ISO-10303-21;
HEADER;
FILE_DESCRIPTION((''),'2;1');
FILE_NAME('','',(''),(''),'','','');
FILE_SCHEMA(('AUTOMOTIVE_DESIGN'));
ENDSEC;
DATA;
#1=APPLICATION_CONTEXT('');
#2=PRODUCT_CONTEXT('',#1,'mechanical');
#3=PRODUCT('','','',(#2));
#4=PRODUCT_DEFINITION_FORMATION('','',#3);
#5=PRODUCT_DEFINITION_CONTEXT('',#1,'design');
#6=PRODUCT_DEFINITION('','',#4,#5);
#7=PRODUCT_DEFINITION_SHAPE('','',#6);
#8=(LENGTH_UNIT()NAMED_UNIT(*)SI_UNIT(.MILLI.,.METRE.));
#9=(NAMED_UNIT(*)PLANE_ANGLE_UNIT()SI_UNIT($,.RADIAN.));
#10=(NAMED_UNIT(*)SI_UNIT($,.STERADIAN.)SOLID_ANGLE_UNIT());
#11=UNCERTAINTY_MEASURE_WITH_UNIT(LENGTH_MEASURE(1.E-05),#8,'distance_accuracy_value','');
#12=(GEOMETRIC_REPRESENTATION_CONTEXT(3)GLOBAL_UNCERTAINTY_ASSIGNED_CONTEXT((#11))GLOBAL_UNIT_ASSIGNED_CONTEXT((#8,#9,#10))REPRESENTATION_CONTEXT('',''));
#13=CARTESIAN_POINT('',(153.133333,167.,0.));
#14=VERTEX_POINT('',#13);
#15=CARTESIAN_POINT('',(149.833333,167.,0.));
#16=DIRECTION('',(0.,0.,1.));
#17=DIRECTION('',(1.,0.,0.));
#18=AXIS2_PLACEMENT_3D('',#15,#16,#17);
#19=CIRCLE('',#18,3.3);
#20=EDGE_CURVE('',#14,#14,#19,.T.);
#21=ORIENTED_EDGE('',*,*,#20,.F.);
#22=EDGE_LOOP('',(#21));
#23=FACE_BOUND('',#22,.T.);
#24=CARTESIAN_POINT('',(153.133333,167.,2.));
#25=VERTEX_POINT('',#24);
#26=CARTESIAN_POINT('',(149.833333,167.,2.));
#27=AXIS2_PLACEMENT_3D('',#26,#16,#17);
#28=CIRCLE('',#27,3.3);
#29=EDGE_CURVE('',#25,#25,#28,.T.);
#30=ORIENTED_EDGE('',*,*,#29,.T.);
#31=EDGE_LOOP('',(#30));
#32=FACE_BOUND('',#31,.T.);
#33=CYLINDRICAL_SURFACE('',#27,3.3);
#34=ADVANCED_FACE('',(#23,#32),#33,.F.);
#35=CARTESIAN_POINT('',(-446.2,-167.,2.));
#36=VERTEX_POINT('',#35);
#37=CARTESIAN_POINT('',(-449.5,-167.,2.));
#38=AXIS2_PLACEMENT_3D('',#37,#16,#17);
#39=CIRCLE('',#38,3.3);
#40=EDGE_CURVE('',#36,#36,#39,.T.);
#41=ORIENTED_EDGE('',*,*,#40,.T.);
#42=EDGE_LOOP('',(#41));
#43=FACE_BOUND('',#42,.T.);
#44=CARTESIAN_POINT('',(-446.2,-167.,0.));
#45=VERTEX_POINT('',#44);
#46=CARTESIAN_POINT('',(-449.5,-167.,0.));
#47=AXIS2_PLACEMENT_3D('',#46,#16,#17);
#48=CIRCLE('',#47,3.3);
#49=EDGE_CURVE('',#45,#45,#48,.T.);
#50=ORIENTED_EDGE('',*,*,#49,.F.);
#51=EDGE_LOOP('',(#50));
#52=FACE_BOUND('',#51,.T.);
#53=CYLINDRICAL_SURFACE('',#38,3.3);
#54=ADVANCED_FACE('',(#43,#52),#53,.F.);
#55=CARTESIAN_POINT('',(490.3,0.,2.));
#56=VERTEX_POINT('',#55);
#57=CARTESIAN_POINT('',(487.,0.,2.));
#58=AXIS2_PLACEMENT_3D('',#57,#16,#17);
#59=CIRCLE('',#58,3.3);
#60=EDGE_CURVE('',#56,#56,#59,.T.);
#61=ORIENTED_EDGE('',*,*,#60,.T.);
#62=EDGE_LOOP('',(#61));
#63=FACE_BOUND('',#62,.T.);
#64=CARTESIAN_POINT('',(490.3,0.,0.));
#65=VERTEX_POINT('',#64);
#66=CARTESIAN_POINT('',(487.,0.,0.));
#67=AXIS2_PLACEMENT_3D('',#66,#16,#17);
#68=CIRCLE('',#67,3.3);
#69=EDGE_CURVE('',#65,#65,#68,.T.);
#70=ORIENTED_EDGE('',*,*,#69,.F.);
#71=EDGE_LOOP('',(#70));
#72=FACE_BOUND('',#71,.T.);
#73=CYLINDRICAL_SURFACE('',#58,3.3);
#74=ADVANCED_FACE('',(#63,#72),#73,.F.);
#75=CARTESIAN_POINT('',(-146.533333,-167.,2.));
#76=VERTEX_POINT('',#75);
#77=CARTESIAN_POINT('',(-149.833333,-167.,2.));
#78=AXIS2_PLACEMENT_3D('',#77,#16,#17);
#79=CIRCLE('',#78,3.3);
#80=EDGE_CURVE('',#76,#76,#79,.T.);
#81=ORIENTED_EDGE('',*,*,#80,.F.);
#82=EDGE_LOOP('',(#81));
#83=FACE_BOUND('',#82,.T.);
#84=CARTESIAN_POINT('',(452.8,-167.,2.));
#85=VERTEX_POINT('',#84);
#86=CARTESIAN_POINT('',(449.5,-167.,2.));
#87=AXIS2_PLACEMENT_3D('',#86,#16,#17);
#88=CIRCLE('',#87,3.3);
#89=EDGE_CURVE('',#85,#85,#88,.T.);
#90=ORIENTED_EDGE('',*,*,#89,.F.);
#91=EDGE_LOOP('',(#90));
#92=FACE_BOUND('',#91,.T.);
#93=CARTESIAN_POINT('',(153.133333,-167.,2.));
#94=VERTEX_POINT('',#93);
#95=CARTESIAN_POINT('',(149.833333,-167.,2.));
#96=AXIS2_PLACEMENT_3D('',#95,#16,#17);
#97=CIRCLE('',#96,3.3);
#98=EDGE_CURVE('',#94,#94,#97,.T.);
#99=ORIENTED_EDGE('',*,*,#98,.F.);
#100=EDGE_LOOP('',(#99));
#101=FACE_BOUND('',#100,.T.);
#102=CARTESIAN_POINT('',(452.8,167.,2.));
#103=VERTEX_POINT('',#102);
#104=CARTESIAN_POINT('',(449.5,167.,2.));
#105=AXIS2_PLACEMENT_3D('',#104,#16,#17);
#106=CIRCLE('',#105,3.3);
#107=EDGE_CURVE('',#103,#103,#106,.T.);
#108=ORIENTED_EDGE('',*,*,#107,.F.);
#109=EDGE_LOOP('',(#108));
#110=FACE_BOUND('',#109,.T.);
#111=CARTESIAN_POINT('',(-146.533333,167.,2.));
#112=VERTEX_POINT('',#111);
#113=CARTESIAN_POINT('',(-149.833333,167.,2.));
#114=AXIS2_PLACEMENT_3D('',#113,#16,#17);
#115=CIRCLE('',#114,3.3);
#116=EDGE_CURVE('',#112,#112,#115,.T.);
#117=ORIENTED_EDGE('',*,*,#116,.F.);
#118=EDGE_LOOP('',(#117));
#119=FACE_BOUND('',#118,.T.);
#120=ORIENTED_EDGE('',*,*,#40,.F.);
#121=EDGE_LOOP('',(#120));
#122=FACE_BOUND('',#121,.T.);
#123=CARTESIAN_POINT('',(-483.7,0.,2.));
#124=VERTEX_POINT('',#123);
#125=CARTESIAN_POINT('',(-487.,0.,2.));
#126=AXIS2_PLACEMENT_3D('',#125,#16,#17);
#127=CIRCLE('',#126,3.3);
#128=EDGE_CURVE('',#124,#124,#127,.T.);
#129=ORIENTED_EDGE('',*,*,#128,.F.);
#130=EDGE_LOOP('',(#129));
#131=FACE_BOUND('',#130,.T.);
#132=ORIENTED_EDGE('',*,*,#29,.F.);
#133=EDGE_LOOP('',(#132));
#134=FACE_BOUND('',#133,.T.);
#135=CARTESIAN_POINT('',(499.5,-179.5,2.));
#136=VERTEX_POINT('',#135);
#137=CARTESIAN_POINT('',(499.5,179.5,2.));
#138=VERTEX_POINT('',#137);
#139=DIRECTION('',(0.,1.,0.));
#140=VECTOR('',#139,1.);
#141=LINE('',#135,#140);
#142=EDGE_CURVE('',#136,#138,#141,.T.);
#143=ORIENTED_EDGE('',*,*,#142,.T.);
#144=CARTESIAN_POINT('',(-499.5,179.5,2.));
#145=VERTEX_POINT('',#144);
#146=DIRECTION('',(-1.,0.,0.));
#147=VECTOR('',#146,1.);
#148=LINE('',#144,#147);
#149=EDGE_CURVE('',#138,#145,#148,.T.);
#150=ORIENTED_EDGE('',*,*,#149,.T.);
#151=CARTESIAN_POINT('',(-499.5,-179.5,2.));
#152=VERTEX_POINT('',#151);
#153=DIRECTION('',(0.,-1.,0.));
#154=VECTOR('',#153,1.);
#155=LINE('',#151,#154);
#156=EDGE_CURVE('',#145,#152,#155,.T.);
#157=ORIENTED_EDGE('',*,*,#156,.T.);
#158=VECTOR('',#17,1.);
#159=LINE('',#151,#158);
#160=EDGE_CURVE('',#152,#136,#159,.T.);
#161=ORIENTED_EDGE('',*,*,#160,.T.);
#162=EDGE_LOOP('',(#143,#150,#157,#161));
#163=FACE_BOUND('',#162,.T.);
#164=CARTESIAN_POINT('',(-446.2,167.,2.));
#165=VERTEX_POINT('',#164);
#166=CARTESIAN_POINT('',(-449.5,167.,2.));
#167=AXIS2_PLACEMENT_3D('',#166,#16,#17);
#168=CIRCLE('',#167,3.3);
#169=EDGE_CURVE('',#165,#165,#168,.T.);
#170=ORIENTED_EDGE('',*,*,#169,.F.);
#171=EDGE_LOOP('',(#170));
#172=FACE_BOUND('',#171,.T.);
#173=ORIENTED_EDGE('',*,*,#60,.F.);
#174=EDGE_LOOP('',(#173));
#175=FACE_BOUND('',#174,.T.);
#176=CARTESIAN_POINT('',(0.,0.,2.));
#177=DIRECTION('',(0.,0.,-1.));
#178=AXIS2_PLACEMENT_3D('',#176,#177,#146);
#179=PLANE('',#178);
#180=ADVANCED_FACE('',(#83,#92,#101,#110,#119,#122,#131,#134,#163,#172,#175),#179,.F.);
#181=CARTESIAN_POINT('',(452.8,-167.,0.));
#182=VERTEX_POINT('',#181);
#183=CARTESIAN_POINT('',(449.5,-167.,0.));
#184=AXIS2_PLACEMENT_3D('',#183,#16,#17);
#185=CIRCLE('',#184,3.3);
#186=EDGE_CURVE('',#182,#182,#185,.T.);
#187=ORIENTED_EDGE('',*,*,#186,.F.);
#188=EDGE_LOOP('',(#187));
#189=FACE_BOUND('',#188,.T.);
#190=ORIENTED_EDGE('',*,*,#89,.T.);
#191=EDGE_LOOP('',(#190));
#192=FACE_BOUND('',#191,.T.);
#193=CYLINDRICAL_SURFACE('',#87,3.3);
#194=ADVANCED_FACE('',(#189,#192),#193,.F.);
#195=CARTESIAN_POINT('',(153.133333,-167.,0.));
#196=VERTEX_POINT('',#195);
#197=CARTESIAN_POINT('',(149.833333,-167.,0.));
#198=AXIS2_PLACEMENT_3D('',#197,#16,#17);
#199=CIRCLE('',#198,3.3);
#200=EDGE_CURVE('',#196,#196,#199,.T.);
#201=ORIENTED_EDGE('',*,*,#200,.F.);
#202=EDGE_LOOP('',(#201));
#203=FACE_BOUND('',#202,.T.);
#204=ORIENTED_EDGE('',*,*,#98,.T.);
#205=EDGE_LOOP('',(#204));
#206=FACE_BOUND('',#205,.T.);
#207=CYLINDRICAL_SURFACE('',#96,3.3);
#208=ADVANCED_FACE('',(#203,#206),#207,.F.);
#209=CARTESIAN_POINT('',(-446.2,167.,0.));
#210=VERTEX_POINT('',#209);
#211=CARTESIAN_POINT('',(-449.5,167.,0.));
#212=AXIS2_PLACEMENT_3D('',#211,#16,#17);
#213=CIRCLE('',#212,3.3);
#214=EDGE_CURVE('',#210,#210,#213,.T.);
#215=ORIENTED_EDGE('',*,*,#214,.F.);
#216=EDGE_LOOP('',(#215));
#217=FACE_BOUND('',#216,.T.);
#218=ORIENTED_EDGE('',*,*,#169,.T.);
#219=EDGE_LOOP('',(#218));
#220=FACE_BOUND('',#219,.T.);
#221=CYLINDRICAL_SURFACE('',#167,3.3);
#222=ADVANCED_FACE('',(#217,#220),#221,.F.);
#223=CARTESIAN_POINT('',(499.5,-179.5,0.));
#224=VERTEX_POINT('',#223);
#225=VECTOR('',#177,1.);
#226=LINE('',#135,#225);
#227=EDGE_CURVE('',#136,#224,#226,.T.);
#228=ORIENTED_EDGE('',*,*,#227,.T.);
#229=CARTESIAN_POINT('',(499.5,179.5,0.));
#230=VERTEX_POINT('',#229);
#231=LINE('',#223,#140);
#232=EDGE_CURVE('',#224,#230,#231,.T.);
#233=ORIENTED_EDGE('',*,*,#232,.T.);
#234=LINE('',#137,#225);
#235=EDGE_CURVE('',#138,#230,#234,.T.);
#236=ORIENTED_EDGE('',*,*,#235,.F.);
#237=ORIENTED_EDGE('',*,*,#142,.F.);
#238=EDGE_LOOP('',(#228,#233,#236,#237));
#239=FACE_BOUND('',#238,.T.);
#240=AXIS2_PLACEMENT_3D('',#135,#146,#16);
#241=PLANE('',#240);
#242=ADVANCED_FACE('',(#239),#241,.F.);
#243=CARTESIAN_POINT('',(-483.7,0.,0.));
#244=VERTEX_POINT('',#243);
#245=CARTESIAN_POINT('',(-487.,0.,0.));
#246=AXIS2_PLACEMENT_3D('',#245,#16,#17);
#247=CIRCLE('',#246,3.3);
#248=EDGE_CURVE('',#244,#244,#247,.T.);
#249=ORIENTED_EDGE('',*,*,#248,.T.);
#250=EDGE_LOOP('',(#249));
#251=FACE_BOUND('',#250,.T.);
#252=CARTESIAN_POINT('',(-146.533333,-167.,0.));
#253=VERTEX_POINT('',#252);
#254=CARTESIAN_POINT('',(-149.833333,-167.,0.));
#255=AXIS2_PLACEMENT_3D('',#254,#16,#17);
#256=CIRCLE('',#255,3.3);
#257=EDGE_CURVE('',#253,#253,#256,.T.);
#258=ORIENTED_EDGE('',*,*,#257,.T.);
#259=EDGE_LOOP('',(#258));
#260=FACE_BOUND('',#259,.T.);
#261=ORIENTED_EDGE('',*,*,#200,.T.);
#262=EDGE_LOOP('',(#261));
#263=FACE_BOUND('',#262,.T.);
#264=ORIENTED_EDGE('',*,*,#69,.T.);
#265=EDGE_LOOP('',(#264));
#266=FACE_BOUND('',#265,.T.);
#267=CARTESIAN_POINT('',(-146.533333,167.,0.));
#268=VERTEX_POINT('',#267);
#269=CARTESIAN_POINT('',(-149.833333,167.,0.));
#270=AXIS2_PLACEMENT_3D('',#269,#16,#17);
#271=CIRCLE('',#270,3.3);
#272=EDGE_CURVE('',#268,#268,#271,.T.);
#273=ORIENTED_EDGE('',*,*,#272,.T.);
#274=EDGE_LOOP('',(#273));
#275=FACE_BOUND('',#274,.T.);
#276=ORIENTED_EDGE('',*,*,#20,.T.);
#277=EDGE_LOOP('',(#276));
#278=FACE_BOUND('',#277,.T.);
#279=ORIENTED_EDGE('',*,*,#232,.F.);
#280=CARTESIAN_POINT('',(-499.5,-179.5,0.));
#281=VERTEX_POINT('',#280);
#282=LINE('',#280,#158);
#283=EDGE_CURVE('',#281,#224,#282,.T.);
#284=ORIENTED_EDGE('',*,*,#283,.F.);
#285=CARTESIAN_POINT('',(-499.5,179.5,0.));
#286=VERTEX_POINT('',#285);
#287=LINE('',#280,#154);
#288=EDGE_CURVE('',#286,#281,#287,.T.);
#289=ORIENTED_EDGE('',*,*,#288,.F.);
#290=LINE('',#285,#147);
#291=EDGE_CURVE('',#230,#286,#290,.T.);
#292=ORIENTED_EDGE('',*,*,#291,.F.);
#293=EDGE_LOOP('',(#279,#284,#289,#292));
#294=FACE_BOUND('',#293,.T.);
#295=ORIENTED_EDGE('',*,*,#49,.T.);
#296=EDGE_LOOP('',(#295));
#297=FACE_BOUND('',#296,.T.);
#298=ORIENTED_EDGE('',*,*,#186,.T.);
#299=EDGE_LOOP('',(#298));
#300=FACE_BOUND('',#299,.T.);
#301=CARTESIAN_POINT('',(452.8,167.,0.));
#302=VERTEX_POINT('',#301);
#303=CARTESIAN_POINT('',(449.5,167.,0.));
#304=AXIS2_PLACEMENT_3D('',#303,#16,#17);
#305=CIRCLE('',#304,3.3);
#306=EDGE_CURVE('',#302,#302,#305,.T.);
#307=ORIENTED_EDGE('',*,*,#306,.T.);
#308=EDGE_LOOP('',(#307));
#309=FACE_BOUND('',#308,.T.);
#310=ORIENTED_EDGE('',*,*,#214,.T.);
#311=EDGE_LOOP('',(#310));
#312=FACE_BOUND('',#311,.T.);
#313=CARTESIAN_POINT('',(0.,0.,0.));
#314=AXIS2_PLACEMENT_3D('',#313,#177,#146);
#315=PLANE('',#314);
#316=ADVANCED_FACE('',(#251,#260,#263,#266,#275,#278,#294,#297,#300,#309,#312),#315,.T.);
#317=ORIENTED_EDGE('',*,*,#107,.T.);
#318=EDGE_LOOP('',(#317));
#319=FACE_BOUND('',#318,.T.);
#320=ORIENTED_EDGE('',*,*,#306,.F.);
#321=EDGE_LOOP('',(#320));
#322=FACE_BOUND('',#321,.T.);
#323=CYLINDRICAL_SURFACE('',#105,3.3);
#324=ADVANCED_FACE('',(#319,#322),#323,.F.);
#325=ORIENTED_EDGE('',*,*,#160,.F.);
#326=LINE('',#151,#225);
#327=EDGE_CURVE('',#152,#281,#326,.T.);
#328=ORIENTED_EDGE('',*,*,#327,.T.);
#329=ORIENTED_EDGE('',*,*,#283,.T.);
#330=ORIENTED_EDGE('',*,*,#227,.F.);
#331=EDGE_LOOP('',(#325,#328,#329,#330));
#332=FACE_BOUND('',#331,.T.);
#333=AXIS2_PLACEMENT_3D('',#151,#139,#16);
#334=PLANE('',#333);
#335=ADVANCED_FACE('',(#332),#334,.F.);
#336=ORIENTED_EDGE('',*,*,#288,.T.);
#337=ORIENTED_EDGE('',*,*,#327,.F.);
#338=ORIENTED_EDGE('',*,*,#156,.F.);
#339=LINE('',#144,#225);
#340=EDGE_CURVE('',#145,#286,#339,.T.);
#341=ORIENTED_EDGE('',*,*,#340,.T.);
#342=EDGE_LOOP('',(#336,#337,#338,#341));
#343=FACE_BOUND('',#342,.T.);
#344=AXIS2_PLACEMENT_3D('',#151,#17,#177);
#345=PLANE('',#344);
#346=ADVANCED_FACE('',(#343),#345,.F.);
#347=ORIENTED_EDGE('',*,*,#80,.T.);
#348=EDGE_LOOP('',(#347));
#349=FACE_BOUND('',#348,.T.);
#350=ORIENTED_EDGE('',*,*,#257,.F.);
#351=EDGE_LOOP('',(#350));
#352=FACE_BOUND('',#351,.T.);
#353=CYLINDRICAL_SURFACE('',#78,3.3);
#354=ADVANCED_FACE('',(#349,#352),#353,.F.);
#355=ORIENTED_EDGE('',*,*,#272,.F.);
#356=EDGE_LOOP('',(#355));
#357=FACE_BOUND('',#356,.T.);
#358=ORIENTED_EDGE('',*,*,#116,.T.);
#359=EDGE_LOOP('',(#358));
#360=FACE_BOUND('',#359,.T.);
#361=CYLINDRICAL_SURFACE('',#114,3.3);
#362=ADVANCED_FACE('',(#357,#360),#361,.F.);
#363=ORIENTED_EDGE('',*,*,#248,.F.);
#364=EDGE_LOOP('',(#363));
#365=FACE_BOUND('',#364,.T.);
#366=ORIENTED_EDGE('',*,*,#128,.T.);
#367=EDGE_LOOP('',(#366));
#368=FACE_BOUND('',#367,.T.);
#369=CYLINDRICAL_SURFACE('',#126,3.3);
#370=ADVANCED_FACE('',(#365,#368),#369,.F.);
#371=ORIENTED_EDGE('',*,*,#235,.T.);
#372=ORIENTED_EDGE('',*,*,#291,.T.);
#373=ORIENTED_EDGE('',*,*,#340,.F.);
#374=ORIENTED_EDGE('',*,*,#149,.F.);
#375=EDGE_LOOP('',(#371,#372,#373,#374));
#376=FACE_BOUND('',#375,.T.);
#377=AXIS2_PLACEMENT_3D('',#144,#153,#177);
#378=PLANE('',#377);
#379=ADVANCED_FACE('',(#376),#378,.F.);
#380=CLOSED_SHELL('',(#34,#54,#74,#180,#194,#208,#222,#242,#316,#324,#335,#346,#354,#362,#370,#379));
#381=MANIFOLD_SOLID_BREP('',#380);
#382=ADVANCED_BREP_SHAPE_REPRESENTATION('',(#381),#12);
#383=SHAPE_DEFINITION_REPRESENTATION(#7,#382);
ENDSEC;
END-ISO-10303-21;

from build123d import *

# Parameters (mm, degrees)
SKETCH1_W            = 999
SKETCH1_H            = 359
BOSS_EXTRUDE1_DEPTH  = 2
M6_CLEARANCE_HOLE1_D = 6.6
LPATTERN1_COUNT      = 4
LPATTERN1_PITCH      = 299.666666667
MIRROR1_COPY_1_D     = 6.6
MIRROR1_COPY_2_D     = 6.6
MIRROR1_COPY_3_D     = 6.6
M6_CLEARANCE_HOLE2_D = 6.6


with BuildPart() as part:
    # Sketch1 → Boss-Extrude1 (new body)
    with BuildSketch(Plane.XY):
        Rectangle(SKETCH1_W, SKETCH1_H)
    extrude(amount=BOSS_EXTRUDE1_DEPTH)

    # M6 Clearance Hole1 (through all)
    with Locations(Plane.XY.offset(2)):
        with Locations((-449.5, 167)):
            m6_clearance_hole1 = Hole(M6_CLEARANCE_HOLE1_D / 2)

    # LPattern1: M6 Clearance Hole1 ×4
    with Locations(*[(i * LPATTERN1_PITCH, 0, 0) for i in range(1, LPATTERN1_COUNT)]):
        add(m6_clearance_hole1, mode=Mode.SUBTRACT)

    # Mirror1: M6 Clearance Hole1 across plane
    add(m6_clearance_hole1.mirror(Plane.ZX), mode=Mode.SUBTRACT)

    # Mirror1 copy 1 (through all)
    with Locations(Plane(origin=(299.666666667, 0, 2), x_dir=(1, 0, 0), z_dir=(0, 0, 1))):
        with Locations((-449.5, -167)):
            Hole(MIRROR1_COPY_1_D / 2)

    # Mirror1 copy 2 (through all)
    with Locations(Plane(origin=(599.333333333, 0, 2), x_dir=(1, 0, 0), z_dir=(0, 0, 1))):
        with Locations((-449.5, -167)):
            Hole(MIRROR1_COPY_2_D / 2)

    # Mirror1 copy 3 (through all)
    with Locations(Plane(origin=(899, 0, 2), x_dir=(1, 0, 0), z_dir=(0, 0, 1))):
        with Locations((-449.5, -167)):
            Hole(MIRROR1_COPY_3_D / 2)

    # M6 Clearance Hole2 (through all)
    with Locations(Plane.XY.offset(2)):
        with Locations((-487, 0)):
            m6_clearance_hole2 = Hole(M6_CLEARANCE_HOLE2_D / 2)

    # Mirror2: M6 Clearance Hole2 across plane
    add(m6_clearance_hole2.mirror(Plane(origin=(0, 0, 0), x_dir=(0, 0, 1), z_dir=(1, 0, 0))), mode=Mode.SUBTRACT)


solid = part.part
